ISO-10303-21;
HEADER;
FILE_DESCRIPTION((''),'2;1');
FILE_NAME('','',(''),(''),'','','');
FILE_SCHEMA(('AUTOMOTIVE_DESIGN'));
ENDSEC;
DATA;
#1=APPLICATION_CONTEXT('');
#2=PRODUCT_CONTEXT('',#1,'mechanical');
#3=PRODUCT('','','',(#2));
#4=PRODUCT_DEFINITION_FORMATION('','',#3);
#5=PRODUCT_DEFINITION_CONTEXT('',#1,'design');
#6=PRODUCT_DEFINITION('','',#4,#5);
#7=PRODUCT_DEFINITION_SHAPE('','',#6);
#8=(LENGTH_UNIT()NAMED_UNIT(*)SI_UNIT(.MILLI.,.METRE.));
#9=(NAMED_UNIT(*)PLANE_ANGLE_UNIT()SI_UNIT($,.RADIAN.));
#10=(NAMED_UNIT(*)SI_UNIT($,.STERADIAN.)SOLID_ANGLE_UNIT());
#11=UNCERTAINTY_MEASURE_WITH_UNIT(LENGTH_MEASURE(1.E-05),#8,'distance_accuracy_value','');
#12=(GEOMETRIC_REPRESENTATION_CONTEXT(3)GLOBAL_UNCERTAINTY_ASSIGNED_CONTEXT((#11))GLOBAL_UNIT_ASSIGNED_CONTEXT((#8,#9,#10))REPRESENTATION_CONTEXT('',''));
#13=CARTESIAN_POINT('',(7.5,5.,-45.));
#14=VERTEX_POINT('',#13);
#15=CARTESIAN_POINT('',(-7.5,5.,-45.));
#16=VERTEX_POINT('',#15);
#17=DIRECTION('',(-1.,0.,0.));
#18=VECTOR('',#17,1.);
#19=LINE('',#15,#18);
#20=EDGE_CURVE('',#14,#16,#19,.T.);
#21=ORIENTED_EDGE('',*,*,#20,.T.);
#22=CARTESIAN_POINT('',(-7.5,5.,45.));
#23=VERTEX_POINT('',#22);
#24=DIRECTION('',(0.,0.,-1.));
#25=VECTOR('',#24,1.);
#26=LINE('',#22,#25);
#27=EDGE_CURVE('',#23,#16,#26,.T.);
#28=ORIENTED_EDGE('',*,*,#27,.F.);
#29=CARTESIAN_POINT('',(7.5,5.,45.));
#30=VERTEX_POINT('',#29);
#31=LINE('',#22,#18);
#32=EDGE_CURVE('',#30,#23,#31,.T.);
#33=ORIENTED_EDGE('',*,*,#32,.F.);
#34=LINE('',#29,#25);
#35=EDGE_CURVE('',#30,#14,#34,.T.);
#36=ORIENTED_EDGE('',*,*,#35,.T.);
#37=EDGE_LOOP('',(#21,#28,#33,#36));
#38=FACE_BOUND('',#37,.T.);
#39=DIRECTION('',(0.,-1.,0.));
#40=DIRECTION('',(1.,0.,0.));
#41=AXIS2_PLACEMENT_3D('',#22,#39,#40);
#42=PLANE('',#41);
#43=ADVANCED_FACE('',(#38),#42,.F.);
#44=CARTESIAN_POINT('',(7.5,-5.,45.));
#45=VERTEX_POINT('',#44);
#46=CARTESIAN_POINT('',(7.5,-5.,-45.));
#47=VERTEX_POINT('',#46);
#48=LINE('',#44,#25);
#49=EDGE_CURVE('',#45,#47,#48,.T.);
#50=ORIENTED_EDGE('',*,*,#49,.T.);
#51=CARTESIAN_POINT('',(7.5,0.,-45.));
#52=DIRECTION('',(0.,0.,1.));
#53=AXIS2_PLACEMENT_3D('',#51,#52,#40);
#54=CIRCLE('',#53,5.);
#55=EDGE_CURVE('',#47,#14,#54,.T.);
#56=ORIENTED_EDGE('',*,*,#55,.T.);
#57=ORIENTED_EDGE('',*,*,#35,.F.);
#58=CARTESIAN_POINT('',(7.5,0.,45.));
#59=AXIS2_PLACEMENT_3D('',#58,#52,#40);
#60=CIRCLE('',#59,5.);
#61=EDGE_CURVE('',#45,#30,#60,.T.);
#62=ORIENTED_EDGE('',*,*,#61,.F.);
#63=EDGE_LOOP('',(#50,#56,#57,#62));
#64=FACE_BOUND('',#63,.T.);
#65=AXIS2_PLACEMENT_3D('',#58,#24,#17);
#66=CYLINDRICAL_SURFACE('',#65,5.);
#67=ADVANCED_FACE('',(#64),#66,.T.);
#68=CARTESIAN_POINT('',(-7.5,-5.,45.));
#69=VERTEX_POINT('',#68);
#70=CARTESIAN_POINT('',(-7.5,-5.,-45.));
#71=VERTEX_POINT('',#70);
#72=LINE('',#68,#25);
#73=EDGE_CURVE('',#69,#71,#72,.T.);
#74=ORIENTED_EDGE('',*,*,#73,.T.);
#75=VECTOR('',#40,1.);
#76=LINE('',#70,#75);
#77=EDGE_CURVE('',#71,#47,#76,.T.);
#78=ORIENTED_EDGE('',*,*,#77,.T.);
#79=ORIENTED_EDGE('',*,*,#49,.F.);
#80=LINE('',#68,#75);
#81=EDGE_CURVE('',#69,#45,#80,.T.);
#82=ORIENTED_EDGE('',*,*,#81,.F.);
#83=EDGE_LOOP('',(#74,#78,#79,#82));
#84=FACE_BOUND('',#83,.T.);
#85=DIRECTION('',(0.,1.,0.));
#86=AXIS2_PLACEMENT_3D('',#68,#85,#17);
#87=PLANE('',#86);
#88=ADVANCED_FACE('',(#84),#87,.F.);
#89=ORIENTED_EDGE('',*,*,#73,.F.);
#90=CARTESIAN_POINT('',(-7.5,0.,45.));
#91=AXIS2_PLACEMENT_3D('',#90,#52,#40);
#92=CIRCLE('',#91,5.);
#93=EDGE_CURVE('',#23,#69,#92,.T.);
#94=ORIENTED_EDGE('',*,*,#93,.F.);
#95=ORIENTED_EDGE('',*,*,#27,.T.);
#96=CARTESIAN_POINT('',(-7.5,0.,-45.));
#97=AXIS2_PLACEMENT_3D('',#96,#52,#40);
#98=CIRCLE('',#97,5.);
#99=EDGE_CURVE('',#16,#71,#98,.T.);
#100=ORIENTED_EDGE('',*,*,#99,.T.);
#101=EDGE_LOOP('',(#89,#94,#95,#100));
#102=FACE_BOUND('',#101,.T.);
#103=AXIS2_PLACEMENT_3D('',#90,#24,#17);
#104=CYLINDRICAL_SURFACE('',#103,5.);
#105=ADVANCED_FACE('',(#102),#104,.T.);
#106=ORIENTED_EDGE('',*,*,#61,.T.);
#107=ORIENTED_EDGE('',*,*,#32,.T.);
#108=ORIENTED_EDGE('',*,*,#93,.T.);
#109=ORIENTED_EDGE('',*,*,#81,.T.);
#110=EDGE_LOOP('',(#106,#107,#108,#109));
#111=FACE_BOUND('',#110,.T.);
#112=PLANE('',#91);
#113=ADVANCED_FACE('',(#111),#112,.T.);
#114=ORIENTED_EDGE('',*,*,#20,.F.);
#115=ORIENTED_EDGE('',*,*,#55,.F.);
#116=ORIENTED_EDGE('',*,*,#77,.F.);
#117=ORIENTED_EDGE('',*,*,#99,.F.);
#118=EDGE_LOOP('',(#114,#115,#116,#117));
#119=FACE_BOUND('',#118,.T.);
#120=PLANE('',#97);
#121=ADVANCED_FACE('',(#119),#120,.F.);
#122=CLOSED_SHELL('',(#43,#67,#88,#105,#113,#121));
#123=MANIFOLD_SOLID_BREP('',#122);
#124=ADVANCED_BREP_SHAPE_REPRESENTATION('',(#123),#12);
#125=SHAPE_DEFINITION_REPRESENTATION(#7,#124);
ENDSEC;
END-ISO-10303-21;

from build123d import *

# Parameters (mm, degrees)
RESSALTO_EXTRUS_O1_DEPTH = 45


with BuildPart() as part:
    # Esboço1 → Ressalto-extrusão1 (new body, symmetric)
    with BuildSketch(Plane.XY):
        with BuildLine():
            Line((-7.5, 5), (7.5, 5))
            ThreePointArc((7.5, 5), (12.5, 0), (7.5, -5))
            Line((7.5, -5), (-7.5, -5))
            ThreePointArc((-7.5, -5), (-12.5, 0), (-7.5, 5))
        make_face()
    extrude(amount=RESSALTO_EXTRUS_O1_DEPTH, both=True)


solid = part.part
